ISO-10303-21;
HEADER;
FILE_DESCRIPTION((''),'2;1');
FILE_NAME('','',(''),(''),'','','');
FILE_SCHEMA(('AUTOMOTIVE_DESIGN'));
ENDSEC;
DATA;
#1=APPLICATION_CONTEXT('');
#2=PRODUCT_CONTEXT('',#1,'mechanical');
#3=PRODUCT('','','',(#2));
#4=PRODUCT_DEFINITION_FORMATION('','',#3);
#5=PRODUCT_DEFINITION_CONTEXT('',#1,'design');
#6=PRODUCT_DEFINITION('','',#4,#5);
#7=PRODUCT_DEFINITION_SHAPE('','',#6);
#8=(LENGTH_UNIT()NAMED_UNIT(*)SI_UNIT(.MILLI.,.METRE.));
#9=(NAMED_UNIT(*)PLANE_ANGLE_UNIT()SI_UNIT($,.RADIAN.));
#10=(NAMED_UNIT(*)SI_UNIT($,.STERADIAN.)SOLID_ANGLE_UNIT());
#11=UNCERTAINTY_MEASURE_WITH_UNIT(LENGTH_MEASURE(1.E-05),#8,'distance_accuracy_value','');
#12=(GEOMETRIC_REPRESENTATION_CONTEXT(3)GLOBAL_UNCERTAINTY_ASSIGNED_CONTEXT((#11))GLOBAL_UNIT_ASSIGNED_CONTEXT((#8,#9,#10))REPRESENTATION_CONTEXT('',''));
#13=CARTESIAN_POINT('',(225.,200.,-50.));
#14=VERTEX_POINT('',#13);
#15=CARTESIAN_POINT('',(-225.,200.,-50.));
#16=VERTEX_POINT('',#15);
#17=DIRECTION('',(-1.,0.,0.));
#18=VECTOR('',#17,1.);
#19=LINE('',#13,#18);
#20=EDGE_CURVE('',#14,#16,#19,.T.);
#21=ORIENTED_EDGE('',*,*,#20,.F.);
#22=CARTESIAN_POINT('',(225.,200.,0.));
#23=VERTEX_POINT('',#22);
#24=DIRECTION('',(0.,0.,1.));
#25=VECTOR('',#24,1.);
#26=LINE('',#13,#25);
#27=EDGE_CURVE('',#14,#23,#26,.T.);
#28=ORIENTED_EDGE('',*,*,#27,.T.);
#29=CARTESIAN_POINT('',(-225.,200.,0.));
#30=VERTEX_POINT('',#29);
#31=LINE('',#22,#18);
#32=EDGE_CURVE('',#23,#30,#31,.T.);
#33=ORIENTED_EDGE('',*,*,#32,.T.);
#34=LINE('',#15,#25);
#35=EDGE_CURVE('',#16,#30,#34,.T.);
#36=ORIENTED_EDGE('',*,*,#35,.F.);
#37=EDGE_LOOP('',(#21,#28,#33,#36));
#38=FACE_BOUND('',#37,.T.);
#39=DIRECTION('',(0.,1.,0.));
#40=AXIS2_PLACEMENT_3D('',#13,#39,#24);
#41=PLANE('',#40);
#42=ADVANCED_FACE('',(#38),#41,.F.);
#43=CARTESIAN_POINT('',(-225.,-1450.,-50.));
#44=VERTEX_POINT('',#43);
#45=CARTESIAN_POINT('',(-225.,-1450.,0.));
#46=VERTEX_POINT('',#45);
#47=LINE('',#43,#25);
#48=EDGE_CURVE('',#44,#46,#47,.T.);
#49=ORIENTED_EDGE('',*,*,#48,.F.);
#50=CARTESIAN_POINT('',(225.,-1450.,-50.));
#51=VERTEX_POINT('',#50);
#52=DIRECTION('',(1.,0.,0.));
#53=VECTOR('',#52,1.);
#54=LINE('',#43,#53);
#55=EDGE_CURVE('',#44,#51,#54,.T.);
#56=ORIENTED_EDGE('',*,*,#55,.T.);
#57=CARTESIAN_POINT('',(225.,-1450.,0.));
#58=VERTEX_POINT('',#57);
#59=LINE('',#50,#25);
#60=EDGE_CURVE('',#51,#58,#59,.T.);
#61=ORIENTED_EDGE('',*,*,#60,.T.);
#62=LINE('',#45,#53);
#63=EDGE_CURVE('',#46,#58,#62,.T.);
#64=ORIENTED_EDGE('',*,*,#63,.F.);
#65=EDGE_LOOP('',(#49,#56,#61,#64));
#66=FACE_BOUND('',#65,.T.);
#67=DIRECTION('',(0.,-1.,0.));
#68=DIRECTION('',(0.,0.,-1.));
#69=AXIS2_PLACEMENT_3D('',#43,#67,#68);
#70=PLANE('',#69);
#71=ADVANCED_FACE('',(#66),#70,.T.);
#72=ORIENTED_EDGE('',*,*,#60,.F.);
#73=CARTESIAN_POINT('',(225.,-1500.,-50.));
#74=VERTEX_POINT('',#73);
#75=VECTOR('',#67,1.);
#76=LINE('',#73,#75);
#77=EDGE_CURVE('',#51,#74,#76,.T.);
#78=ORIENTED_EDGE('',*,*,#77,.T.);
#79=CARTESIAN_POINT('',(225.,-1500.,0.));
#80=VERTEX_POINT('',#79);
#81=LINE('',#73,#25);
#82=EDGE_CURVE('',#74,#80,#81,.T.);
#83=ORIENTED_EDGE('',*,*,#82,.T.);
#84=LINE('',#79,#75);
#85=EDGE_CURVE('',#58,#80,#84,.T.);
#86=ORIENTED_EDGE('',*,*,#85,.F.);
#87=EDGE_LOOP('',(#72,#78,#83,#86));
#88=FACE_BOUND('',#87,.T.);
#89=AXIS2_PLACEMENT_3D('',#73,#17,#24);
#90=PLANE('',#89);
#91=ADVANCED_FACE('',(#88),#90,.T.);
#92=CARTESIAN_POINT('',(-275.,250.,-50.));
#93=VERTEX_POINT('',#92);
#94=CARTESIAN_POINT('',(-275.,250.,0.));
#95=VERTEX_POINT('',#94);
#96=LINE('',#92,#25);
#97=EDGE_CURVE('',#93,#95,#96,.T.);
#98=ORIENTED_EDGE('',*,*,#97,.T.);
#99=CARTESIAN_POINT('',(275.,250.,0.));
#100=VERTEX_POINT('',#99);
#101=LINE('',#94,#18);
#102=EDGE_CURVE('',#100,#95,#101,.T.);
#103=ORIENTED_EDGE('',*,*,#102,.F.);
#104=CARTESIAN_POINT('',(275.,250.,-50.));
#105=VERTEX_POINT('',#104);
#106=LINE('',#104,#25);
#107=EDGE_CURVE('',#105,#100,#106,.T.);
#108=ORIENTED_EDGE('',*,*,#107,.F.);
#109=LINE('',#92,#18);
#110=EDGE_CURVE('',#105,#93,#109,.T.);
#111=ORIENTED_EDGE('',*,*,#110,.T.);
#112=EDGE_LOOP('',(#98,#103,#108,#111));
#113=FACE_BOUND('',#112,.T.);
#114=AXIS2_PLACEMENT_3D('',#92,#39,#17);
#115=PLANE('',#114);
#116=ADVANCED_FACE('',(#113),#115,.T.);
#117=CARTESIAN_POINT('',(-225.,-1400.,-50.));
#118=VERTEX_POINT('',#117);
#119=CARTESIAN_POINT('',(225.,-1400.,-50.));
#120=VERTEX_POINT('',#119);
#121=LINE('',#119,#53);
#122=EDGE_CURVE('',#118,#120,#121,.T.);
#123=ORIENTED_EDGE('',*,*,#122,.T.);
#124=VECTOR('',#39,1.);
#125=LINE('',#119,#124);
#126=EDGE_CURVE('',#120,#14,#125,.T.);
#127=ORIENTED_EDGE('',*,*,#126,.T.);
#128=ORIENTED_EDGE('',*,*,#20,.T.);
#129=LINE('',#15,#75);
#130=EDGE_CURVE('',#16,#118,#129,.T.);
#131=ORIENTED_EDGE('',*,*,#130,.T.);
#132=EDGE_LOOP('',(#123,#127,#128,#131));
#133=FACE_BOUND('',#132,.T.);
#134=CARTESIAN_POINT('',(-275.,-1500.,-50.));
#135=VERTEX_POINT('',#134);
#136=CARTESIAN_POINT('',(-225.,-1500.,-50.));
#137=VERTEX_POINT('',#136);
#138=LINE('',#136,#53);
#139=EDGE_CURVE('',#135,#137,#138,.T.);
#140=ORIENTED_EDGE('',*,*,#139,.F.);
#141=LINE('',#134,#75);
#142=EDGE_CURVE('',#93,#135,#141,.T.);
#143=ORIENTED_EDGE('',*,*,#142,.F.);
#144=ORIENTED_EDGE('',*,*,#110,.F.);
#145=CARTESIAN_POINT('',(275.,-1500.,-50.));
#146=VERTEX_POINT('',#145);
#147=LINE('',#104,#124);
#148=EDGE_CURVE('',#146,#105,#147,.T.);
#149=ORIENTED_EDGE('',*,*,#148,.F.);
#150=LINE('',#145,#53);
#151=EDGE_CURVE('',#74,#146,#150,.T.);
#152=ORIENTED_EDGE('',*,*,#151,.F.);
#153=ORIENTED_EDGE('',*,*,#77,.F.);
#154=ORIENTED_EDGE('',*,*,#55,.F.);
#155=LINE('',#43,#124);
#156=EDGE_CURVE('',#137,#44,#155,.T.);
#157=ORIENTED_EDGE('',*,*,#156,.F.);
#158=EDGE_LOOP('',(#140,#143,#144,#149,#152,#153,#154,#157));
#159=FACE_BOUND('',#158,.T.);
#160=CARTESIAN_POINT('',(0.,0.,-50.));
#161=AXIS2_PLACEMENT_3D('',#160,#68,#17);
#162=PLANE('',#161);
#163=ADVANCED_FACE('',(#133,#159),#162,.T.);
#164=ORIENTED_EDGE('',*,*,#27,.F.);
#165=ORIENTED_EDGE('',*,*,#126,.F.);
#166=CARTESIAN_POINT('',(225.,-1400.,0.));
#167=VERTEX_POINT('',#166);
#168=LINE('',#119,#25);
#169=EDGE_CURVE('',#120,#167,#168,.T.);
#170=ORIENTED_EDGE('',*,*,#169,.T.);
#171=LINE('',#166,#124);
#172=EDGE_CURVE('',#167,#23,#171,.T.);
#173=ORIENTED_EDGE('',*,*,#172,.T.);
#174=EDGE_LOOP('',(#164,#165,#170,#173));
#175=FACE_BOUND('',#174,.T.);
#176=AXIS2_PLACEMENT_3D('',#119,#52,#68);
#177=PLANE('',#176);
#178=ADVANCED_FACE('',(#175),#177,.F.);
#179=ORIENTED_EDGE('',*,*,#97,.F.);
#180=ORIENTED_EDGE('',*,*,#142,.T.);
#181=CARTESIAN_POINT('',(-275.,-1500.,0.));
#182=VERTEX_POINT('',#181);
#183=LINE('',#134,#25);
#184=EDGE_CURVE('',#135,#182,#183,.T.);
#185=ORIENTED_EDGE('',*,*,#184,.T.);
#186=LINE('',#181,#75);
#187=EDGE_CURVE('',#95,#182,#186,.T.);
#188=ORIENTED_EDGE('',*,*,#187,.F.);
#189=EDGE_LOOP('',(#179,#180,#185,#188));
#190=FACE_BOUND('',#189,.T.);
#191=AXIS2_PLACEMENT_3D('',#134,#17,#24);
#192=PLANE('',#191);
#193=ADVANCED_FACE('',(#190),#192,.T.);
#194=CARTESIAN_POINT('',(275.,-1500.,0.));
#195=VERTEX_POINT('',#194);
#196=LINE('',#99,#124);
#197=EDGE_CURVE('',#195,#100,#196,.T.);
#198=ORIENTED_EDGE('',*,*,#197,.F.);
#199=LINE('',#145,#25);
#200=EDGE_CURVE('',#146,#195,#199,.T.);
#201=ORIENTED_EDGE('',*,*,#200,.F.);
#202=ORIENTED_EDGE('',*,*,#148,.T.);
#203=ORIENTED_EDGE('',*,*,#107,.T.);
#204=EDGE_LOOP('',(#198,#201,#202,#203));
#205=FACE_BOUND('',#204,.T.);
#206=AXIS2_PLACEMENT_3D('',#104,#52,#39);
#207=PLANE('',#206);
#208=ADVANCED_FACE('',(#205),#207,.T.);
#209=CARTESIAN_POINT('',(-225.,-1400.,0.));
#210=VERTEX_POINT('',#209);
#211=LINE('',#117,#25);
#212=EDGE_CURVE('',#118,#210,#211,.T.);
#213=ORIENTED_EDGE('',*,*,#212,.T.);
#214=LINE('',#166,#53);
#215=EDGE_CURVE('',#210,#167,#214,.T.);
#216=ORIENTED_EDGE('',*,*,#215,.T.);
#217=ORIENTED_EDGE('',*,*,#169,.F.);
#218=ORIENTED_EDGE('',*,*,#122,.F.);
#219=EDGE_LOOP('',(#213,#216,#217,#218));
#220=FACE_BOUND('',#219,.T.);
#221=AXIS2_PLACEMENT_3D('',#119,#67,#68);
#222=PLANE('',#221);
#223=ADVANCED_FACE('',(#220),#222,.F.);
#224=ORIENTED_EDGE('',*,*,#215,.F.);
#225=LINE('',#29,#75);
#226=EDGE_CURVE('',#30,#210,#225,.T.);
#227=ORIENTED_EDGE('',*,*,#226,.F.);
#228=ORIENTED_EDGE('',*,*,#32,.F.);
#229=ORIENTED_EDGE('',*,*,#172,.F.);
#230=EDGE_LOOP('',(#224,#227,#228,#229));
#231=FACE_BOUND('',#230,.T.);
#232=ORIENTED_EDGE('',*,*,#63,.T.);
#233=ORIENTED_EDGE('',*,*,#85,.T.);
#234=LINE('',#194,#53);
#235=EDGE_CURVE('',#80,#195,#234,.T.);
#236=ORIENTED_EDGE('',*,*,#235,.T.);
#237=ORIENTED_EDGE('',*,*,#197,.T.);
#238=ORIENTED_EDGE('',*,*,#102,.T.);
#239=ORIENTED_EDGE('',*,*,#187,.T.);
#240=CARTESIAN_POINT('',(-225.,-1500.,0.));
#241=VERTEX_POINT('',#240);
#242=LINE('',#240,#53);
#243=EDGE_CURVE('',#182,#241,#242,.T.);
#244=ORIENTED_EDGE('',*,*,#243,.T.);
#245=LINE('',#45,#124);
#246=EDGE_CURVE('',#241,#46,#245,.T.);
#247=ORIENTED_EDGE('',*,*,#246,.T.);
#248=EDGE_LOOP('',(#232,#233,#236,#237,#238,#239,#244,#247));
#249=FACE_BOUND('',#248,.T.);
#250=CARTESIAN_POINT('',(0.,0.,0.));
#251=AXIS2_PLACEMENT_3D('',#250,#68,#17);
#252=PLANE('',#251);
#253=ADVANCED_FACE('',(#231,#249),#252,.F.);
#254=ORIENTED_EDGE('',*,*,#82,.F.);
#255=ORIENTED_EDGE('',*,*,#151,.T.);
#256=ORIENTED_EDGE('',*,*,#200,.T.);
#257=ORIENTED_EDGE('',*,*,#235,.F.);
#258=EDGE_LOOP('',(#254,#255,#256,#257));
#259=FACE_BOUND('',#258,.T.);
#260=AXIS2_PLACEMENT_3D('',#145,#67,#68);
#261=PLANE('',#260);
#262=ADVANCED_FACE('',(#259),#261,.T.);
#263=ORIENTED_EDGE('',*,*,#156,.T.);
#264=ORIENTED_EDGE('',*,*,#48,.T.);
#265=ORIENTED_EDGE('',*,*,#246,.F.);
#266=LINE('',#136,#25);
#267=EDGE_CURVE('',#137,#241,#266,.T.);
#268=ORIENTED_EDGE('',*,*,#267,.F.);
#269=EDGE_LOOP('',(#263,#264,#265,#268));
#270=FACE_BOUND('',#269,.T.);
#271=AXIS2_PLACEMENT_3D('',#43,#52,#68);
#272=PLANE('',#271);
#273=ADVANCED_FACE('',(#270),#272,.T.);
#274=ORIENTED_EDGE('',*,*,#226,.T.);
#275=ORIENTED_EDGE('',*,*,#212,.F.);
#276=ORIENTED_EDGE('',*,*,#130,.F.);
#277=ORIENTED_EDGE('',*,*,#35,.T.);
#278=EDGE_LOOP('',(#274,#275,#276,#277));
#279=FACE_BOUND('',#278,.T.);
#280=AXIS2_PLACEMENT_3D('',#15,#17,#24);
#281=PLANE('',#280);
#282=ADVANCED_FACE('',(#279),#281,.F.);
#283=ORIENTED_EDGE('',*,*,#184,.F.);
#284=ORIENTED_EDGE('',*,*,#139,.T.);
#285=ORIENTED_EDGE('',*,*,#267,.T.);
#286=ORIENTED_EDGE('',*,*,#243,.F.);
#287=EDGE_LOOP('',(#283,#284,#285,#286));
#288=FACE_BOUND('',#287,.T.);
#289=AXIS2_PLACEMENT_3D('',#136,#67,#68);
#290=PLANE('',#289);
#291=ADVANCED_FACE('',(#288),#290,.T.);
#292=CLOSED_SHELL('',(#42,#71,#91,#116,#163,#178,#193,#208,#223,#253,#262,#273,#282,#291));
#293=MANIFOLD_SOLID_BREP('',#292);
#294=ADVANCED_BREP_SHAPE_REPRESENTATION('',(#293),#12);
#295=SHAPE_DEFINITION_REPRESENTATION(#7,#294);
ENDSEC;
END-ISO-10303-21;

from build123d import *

# Parameters (mm, degrees)
CROQUIS1_W              = 450
CROQUIS1_H              = 1600
SALIENTE_EXTRUIR1_DEPTH = 50


with BuildPart() as part:
    # Croquis1 → Saliente-Extruir1 (new body)
    with BuildSketch(Plane.XY):
        Polygon((-275, -1500), (-275, 250), (275, 250), (275, -1500), (225, -1500), (225, -1450), (-225, -1450), (-225, -1500), align=None)
        with Locations((0, -600)):
            Rectangle(CROQUIS1_W, CROQUIS1_H, mode=Mode.SUBTRACT)
    extrude(amount=-SALIENTE_EXTRUIR1_DEPTH)


solid = part.part
